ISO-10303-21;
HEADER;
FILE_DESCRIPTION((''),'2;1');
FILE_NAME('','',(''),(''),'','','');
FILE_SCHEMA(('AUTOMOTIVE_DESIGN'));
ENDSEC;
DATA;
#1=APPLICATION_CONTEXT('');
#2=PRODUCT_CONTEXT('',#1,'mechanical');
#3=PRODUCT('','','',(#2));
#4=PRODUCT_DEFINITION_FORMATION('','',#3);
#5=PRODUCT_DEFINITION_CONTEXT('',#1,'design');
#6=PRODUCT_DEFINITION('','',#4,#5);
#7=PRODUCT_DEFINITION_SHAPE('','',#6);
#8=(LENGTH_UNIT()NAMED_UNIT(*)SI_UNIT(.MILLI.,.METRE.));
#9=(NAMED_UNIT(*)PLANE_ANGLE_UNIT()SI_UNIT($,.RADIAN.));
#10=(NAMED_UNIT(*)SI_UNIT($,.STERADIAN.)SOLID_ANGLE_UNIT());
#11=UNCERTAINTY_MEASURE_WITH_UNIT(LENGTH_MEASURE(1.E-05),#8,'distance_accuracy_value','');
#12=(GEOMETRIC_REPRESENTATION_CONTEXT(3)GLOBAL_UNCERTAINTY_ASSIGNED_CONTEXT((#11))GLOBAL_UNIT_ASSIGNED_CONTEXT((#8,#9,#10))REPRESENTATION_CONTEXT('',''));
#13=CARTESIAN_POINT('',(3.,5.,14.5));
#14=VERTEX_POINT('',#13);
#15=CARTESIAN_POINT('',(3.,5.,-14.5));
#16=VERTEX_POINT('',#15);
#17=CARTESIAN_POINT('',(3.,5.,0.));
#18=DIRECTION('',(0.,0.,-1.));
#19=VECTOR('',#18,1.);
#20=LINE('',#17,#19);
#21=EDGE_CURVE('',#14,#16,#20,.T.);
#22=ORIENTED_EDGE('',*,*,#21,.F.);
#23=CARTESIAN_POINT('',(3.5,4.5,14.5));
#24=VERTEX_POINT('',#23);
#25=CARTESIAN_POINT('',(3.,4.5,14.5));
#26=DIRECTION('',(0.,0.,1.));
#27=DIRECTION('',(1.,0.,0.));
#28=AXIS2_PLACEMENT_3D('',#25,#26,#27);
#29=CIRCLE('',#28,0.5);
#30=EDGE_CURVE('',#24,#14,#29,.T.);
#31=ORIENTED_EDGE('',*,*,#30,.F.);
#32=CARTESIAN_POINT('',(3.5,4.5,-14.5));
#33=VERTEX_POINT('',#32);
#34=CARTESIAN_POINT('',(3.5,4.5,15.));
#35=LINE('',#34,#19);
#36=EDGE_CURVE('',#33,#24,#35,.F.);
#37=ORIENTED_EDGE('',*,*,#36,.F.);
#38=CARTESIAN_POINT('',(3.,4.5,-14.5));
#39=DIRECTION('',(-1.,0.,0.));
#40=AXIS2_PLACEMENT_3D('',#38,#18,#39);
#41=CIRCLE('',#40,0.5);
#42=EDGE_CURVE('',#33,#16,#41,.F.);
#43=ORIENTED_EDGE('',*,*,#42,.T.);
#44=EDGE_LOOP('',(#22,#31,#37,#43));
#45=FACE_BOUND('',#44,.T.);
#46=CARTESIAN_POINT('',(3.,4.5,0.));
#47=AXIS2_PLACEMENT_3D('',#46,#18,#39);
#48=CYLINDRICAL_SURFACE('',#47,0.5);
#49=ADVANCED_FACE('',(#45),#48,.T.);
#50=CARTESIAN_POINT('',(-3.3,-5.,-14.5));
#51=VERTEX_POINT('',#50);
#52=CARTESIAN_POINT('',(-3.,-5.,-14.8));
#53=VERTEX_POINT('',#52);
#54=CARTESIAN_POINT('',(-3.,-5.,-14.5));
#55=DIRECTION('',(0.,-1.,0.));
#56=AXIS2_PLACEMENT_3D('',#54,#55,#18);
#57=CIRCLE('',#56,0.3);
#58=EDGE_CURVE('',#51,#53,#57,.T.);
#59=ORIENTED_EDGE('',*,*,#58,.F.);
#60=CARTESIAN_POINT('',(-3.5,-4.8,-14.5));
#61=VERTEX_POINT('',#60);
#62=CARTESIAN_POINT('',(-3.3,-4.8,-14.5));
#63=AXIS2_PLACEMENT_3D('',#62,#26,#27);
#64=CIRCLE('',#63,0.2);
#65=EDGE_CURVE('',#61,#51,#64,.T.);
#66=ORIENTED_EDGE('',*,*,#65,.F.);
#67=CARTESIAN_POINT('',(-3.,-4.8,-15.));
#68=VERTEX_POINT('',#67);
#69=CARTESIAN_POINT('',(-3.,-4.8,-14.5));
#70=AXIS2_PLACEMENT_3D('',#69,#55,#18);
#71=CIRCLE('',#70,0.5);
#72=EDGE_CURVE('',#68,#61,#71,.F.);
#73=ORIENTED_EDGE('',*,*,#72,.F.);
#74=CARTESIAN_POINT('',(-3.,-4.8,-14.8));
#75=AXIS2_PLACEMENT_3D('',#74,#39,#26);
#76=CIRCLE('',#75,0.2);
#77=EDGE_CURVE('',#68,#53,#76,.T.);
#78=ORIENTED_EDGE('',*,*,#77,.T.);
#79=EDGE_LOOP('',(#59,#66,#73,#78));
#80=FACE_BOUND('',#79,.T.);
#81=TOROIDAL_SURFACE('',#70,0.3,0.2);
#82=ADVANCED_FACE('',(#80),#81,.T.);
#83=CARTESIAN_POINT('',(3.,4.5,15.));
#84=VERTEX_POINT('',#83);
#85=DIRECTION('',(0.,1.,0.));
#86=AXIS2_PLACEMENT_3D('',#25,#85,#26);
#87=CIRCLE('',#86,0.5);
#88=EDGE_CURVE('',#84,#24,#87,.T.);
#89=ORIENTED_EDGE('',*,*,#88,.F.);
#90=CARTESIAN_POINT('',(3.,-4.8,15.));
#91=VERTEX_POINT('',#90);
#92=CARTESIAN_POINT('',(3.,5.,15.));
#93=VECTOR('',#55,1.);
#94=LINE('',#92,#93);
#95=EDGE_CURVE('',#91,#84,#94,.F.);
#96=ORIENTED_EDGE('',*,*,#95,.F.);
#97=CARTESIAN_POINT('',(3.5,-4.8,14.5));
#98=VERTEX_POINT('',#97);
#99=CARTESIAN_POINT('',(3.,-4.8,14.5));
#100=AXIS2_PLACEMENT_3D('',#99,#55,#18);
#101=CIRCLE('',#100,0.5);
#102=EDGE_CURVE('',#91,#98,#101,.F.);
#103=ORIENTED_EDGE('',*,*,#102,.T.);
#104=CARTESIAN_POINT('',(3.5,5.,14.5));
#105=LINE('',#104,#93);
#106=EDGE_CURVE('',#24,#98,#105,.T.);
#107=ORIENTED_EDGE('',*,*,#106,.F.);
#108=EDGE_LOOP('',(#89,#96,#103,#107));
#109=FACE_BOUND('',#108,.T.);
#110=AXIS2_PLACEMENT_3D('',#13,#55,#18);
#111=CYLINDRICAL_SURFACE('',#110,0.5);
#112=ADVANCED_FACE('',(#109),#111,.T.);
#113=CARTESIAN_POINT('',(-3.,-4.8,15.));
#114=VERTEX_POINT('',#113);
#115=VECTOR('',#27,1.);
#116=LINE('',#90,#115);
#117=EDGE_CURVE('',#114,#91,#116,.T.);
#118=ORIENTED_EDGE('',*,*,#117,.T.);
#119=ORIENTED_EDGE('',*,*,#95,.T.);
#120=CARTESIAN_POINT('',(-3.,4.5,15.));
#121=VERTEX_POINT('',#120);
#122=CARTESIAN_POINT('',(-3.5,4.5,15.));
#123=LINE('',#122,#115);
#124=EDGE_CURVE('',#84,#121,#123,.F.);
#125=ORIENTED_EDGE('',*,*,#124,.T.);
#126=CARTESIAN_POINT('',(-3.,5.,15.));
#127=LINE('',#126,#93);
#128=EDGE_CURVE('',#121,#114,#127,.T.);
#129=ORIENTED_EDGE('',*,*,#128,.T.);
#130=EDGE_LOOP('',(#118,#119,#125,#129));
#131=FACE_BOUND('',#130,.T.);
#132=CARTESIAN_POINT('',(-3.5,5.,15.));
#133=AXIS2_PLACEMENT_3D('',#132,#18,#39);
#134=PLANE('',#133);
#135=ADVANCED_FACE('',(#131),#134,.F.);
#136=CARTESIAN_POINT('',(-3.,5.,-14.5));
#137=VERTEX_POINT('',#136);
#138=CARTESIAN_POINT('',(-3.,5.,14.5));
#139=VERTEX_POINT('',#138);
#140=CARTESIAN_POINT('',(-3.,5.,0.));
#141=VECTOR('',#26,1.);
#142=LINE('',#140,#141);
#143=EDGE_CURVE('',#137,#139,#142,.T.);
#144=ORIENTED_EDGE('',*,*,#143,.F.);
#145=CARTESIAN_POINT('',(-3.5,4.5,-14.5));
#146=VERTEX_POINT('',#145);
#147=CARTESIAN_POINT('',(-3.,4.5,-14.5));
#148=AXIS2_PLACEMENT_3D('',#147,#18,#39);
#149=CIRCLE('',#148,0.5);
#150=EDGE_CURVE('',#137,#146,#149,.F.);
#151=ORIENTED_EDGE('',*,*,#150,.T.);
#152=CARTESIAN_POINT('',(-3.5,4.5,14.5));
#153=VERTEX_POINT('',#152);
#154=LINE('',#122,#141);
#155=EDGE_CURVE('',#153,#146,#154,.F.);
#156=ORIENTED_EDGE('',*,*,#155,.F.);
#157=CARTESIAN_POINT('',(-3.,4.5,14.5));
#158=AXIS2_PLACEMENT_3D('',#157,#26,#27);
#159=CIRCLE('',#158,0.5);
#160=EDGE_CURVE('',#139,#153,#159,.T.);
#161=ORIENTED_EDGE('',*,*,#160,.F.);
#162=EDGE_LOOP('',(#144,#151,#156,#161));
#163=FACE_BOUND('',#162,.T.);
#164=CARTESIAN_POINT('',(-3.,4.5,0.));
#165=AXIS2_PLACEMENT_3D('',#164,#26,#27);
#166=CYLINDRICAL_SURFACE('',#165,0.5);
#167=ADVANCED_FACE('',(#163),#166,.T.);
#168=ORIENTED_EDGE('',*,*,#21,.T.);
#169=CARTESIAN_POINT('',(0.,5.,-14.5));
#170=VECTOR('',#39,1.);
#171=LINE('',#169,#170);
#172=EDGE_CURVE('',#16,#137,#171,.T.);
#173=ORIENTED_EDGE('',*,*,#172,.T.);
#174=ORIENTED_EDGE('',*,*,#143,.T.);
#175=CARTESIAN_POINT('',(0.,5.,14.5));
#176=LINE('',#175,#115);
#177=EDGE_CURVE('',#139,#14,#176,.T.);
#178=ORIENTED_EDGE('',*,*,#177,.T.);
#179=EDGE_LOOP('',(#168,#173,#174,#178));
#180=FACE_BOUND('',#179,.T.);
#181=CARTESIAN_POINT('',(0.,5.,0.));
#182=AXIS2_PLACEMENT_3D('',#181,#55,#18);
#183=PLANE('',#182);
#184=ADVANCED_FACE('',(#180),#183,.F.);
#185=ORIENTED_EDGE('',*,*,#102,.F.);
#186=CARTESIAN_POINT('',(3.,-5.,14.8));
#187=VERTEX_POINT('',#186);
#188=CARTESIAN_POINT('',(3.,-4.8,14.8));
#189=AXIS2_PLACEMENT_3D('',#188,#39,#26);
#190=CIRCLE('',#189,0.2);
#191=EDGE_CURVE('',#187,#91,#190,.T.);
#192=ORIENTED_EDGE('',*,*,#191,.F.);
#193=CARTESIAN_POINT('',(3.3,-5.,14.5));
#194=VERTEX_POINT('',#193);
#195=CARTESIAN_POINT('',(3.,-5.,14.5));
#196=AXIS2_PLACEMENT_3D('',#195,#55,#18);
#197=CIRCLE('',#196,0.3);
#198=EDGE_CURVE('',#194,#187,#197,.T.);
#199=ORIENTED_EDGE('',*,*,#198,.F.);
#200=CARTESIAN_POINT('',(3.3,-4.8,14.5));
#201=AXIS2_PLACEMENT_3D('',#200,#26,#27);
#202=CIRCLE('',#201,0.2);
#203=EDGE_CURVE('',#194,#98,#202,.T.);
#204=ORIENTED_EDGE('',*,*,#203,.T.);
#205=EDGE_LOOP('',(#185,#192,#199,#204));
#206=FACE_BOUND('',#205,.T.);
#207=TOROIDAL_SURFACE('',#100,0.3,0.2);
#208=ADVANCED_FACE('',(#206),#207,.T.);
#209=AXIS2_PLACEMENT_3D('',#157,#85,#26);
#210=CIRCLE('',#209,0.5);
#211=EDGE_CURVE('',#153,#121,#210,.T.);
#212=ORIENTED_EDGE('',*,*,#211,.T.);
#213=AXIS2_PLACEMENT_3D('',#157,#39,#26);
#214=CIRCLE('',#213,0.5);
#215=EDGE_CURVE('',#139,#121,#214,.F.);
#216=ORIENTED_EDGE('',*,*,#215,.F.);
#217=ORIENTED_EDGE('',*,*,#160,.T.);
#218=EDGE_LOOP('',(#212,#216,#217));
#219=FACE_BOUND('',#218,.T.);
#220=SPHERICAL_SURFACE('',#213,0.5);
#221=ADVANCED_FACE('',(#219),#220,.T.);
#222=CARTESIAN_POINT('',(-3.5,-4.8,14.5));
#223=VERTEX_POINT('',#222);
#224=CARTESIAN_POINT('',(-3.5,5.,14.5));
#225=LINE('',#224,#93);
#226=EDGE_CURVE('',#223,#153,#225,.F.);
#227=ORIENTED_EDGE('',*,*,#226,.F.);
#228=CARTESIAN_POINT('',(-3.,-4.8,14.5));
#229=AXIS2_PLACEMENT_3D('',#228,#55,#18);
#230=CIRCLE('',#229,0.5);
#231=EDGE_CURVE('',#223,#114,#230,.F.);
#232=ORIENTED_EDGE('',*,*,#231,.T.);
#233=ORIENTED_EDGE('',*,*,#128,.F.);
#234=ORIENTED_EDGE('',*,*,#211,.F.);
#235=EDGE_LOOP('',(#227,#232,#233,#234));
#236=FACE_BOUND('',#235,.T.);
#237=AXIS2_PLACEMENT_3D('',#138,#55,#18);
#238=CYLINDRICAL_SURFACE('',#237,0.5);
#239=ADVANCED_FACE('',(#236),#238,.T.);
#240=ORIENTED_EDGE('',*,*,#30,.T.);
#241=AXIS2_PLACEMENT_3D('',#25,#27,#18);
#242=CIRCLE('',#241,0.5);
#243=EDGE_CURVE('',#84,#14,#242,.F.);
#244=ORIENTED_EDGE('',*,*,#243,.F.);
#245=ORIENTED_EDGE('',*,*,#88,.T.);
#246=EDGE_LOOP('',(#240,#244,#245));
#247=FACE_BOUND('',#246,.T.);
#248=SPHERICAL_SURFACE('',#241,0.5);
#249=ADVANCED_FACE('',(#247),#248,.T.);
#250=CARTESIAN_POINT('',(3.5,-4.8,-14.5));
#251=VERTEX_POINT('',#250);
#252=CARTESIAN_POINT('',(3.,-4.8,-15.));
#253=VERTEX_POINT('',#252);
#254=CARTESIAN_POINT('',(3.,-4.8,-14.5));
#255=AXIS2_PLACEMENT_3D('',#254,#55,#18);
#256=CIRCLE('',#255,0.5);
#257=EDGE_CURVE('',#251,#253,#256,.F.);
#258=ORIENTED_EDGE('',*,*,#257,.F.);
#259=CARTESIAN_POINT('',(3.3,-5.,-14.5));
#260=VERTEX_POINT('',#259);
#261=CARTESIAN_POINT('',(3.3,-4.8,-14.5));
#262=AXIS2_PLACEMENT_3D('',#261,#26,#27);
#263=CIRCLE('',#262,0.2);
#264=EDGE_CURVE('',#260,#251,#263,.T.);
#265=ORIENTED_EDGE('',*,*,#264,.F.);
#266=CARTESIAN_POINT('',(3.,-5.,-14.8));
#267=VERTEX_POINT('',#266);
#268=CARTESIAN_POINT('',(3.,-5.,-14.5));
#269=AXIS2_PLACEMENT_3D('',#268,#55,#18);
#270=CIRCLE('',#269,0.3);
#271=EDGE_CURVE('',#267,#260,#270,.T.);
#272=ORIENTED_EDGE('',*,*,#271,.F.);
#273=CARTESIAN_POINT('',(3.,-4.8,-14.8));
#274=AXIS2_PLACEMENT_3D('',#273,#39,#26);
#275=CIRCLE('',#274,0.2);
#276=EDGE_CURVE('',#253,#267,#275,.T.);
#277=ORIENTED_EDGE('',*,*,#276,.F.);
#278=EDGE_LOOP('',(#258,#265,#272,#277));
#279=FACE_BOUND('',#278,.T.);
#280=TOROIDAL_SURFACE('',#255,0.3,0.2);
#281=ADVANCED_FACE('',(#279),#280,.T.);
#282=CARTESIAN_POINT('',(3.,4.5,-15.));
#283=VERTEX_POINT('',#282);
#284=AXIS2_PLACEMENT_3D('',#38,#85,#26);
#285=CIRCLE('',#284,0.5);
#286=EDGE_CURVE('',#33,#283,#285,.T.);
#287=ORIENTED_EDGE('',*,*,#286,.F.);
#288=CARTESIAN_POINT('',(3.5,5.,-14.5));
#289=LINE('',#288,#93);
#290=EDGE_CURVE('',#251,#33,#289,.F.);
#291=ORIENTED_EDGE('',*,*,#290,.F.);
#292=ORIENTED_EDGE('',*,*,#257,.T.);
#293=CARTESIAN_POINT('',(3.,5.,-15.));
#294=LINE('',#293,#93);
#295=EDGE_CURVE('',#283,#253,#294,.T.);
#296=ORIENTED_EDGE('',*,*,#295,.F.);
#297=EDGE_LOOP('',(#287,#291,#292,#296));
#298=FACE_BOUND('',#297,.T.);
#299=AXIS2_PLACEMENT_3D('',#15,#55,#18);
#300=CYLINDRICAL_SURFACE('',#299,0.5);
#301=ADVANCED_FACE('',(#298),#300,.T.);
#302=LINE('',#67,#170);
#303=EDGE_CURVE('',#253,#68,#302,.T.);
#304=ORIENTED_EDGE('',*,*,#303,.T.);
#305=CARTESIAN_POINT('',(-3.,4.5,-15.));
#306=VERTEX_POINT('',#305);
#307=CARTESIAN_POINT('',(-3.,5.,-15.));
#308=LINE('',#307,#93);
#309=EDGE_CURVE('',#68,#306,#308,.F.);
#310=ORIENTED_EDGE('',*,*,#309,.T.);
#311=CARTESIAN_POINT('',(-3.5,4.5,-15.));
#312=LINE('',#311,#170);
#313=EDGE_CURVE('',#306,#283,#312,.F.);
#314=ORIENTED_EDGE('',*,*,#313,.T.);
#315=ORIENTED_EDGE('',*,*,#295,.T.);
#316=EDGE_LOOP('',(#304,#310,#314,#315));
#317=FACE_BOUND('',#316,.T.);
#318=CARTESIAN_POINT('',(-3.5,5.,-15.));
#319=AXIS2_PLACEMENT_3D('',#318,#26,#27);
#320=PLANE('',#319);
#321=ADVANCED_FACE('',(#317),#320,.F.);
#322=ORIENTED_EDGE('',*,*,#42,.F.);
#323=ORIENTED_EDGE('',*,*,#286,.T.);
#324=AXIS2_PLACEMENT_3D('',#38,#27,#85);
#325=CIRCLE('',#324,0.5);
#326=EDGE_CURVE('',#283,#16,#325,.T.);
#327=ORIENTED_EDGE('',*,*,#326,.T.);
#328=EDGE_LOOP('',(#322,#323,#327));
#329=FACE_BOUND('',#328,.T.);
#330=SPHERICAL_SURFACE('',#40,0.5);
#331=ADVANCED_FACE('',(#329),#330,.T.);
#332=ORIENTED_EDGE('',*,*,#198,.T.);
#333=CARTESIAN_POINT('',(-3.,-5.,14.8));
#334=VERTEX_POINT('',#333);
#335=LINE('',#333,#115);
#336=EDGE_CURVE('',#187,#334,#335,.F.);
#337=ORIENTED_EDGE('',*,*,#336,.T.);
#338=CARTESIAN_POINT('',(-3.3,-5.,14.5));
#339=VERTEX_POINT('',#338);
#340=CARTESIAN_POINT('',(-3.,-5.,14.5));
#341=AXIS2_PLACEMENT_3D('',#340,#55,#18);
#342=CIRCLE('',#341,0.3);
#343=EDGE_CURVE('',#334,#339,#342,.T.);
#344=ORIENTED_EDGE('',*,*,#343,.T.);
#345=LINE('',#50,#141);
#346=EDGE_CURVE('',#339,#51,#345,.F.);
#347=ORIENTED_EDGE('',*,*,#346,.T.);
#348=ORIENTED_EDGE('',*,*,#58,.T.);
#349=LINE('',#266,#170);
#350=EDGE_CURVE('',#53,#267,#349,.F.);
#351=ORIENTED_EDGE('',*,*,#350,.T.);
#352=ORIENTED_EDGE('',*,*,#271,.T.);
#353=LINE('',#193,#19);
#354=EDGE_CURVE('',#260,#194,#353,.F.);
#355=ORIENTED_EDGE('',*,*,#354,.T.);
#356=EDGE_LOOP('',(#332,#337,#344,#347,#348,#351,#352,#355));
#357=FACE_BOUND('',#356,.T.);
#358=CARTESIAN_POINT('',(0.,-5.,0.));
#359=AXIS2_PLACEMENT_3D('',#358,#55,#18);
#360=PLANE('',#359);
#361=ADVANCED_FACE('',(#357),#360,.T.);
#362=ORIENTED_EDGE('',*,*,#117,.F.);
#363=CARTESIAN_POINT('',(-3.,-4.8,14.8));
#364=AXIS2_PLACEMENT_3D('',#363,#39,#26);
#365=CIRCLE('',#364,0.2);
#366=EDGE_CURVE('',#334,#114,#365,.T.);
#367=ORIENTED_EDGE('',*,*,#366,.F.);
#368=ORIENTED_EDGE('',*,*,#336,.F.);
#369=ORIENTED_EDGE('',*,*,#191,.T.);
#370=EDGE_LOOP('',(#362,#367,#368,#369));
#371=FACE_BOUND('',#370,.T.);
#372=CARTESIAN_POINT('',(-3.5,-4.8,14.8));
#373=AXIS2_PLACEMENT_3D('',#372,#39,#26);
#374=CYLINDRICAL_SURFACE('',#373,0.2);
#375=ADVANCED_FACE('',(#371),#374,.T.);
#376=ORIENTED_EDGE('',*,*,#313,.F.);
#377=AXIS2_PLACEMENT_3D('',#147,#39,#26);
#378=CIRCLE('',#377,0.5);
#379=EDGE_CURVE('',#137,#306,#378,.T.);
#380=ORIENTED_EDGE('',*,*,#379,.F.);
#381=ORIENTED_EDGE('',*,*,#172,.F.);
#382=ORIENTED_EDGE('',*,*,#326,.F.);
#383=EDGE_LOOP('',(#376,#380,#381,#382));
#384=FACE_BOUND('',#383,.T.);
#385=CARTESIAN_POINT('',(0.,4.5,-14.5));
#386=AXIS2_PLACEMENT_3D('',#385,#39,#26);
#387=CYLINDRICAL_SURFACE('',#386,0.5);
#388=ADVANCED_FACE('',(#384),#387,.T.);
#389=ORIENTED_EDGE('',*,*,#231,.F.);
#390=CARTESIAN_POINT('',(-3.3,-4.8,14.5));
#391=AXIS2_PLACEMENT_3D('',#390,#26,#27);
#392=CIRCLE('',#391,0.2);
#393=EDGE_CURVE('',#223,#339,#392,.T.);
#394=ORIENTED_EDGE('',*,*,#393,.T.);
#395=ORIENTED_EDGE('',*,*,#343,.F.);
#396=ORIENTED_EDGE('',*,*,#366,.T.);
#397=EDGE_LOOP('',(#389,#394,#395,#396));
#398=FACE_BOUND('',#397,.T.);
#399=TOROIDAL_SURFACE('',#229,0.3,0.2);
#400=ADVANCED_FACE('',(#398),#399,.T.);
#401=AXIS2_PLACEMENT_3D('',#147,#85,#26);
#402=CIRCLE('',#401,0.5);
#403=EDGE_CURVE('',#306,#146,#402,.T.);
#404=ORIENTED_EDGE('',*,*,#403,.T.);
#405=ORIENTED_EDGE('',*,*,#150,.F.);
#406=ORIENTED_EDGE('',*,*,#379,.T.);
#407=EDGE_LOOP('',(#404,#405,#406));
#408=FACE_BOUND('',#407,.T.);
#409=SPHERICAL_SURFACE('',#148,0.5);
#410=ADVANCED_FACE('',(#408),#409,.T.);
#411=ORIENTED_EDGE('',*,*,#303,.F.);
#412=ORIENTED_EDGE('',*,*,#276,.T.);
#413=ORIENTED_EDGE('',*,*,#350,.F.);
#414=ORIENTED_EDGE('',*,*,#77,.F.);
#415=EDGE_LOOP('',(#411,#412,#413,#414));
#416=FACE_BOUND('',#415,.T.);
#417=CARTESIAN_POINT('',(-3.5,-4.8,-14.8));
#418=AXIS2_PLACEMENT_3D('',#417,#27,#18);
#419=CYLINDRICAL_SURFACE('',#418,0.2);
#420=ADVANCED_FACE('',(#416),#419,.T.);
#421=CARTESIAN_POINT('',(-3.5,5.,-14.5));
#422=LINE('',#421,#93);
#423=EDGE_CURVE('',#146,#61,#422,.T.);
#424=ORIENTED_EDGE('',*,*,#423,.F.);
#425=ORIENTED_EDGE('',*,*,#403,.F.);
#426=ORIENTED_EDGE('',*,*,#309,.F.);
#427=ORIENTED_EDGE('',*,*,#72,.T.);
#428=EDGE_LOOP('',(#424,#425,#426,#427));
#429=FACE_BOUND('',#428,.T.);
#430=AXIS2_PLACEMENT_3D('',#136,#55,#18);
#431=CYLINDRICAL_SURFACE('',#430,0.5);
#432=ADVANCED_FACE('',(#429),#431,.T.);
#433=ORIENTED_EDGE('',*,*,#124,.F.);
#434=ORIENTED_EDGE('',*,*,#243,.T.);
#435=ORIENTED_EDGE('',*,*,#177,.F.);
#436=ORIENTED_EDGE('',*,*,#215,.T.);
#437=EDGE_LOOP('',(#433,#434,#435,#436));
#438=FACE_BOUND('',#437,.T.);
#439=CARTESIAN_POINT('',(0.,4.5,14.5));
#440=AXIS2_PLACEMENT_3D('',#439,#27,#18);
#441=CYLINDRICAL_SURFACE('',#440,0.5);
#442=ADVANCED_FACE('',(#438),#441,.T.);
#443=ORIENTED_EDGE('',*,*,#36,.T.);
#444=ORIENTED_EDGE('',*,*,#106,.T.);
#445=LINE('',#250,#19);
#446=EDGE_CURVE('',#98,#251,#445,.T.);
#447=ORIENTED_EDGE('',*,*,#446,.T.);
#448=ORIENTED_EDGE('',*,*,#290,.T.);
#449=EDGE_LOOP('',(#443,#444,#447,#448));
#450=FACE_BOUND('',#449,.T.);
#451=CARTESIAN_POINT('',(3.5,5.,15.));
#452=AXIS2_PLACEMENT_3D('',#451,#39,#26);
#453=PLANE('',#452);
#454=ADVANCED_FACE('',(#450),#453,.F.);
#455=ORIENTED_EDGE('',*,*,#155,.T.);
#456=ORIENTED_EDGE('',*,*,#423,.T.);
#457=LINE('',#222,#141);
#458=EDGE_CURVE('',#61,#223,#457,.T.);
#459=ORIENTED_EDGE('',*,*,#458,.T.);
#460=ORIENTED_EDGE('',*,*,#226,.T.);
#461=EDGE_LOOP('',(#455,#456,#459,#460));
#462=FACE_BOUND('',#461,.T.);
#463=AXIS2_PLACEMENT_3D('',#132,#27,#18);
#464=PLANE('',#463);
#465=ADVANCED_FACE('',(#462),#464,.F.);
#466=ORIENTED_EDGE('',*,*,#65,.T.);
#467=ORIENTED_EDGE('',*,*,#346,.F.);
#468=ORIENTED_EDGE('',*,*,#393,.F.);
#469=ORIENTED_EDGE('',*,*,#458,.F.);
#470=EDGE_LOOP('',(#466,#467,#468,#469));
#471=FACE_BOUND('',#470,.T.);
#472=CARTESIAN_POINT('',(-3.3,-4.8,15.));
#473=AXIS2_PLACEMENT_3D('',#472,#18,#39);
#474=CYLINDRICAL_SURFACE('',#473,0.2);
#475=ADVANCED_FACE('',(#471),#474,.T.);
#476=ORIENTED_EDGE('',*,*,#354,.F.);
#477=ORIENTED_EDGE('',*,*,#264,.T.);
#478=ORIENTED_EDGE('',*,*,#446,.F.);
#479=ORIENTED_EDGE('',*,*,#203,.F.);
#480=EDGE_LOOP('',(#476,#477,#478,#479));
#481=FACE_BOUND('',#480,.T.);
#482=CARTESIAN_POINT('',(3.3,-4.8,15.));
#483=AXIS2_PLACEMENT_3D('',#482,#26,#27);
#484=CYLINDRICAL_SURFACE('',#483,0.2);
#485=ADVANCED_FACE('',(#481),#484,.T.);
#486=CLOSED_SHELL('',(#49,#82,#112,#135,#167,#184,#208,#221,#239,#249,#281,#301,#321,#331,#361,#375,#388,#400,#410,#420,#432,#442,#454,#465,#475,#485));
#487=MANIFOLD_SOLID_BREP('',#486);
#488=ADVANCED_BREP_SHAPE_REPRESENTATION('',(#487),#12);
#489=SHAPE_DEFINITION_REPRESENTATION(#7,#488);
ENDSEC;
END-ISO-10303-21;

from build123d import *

# Parameters (mm, degrees)
SKETCH1_W           = 7
SKETCH1_H           = 30
BOSS_EXTRUDE1_DEPTH = 5
FILLET1_R           = 0.5
FILLET2_R           = 0.2


with BuildPart() as part:
    # Sketch1 → Boss-Extrude1 (new, symmetric)
    with BuildSketch(Plane(origin=(0, 0, 0), x_dir=(1, 0, 0), z_dir=(0, 1, 0))):
        Rectangle(SKETCH1_W, SKETCH1_H)
    extrude(amount=BOSS_EXTRUDE1_DEPTH, both=True)

    # Fillet1
    fillet1_edges = [part.edges().sort_by_distance(p)[0] for p in [
        (-3.5, 5, 0),
        (0, 5, 15),
        (3.5, 5, 0),
        (3.5, 0, 15),
        (-3.5, 0, 15),
        (-3.5, 0, -15),
        (3.5, 0, -15),
        (0, 5, -15),
    ]]
    fillet(fillet1_edges, radius=FILLET1_R)

    # Fillet2
    fillet2_edges = [part.edges().sort_by_distance(p)[0] for p in [
        (0, -5, 15),
        (-3.5, -5, 0),
        (0, -5, -15),
        (3.5, -5, 0),
        (3.353553391, -5, 14.853553391),
        (-3.353553391, -5, 14.853553391),
        (3.353553391, -5, -14.853553391),
        (-3.353553391, -5, -14.853553391),
    ]]
    fillet(fillet2_edges, radius=FILLET2_R)


solid = part.part
